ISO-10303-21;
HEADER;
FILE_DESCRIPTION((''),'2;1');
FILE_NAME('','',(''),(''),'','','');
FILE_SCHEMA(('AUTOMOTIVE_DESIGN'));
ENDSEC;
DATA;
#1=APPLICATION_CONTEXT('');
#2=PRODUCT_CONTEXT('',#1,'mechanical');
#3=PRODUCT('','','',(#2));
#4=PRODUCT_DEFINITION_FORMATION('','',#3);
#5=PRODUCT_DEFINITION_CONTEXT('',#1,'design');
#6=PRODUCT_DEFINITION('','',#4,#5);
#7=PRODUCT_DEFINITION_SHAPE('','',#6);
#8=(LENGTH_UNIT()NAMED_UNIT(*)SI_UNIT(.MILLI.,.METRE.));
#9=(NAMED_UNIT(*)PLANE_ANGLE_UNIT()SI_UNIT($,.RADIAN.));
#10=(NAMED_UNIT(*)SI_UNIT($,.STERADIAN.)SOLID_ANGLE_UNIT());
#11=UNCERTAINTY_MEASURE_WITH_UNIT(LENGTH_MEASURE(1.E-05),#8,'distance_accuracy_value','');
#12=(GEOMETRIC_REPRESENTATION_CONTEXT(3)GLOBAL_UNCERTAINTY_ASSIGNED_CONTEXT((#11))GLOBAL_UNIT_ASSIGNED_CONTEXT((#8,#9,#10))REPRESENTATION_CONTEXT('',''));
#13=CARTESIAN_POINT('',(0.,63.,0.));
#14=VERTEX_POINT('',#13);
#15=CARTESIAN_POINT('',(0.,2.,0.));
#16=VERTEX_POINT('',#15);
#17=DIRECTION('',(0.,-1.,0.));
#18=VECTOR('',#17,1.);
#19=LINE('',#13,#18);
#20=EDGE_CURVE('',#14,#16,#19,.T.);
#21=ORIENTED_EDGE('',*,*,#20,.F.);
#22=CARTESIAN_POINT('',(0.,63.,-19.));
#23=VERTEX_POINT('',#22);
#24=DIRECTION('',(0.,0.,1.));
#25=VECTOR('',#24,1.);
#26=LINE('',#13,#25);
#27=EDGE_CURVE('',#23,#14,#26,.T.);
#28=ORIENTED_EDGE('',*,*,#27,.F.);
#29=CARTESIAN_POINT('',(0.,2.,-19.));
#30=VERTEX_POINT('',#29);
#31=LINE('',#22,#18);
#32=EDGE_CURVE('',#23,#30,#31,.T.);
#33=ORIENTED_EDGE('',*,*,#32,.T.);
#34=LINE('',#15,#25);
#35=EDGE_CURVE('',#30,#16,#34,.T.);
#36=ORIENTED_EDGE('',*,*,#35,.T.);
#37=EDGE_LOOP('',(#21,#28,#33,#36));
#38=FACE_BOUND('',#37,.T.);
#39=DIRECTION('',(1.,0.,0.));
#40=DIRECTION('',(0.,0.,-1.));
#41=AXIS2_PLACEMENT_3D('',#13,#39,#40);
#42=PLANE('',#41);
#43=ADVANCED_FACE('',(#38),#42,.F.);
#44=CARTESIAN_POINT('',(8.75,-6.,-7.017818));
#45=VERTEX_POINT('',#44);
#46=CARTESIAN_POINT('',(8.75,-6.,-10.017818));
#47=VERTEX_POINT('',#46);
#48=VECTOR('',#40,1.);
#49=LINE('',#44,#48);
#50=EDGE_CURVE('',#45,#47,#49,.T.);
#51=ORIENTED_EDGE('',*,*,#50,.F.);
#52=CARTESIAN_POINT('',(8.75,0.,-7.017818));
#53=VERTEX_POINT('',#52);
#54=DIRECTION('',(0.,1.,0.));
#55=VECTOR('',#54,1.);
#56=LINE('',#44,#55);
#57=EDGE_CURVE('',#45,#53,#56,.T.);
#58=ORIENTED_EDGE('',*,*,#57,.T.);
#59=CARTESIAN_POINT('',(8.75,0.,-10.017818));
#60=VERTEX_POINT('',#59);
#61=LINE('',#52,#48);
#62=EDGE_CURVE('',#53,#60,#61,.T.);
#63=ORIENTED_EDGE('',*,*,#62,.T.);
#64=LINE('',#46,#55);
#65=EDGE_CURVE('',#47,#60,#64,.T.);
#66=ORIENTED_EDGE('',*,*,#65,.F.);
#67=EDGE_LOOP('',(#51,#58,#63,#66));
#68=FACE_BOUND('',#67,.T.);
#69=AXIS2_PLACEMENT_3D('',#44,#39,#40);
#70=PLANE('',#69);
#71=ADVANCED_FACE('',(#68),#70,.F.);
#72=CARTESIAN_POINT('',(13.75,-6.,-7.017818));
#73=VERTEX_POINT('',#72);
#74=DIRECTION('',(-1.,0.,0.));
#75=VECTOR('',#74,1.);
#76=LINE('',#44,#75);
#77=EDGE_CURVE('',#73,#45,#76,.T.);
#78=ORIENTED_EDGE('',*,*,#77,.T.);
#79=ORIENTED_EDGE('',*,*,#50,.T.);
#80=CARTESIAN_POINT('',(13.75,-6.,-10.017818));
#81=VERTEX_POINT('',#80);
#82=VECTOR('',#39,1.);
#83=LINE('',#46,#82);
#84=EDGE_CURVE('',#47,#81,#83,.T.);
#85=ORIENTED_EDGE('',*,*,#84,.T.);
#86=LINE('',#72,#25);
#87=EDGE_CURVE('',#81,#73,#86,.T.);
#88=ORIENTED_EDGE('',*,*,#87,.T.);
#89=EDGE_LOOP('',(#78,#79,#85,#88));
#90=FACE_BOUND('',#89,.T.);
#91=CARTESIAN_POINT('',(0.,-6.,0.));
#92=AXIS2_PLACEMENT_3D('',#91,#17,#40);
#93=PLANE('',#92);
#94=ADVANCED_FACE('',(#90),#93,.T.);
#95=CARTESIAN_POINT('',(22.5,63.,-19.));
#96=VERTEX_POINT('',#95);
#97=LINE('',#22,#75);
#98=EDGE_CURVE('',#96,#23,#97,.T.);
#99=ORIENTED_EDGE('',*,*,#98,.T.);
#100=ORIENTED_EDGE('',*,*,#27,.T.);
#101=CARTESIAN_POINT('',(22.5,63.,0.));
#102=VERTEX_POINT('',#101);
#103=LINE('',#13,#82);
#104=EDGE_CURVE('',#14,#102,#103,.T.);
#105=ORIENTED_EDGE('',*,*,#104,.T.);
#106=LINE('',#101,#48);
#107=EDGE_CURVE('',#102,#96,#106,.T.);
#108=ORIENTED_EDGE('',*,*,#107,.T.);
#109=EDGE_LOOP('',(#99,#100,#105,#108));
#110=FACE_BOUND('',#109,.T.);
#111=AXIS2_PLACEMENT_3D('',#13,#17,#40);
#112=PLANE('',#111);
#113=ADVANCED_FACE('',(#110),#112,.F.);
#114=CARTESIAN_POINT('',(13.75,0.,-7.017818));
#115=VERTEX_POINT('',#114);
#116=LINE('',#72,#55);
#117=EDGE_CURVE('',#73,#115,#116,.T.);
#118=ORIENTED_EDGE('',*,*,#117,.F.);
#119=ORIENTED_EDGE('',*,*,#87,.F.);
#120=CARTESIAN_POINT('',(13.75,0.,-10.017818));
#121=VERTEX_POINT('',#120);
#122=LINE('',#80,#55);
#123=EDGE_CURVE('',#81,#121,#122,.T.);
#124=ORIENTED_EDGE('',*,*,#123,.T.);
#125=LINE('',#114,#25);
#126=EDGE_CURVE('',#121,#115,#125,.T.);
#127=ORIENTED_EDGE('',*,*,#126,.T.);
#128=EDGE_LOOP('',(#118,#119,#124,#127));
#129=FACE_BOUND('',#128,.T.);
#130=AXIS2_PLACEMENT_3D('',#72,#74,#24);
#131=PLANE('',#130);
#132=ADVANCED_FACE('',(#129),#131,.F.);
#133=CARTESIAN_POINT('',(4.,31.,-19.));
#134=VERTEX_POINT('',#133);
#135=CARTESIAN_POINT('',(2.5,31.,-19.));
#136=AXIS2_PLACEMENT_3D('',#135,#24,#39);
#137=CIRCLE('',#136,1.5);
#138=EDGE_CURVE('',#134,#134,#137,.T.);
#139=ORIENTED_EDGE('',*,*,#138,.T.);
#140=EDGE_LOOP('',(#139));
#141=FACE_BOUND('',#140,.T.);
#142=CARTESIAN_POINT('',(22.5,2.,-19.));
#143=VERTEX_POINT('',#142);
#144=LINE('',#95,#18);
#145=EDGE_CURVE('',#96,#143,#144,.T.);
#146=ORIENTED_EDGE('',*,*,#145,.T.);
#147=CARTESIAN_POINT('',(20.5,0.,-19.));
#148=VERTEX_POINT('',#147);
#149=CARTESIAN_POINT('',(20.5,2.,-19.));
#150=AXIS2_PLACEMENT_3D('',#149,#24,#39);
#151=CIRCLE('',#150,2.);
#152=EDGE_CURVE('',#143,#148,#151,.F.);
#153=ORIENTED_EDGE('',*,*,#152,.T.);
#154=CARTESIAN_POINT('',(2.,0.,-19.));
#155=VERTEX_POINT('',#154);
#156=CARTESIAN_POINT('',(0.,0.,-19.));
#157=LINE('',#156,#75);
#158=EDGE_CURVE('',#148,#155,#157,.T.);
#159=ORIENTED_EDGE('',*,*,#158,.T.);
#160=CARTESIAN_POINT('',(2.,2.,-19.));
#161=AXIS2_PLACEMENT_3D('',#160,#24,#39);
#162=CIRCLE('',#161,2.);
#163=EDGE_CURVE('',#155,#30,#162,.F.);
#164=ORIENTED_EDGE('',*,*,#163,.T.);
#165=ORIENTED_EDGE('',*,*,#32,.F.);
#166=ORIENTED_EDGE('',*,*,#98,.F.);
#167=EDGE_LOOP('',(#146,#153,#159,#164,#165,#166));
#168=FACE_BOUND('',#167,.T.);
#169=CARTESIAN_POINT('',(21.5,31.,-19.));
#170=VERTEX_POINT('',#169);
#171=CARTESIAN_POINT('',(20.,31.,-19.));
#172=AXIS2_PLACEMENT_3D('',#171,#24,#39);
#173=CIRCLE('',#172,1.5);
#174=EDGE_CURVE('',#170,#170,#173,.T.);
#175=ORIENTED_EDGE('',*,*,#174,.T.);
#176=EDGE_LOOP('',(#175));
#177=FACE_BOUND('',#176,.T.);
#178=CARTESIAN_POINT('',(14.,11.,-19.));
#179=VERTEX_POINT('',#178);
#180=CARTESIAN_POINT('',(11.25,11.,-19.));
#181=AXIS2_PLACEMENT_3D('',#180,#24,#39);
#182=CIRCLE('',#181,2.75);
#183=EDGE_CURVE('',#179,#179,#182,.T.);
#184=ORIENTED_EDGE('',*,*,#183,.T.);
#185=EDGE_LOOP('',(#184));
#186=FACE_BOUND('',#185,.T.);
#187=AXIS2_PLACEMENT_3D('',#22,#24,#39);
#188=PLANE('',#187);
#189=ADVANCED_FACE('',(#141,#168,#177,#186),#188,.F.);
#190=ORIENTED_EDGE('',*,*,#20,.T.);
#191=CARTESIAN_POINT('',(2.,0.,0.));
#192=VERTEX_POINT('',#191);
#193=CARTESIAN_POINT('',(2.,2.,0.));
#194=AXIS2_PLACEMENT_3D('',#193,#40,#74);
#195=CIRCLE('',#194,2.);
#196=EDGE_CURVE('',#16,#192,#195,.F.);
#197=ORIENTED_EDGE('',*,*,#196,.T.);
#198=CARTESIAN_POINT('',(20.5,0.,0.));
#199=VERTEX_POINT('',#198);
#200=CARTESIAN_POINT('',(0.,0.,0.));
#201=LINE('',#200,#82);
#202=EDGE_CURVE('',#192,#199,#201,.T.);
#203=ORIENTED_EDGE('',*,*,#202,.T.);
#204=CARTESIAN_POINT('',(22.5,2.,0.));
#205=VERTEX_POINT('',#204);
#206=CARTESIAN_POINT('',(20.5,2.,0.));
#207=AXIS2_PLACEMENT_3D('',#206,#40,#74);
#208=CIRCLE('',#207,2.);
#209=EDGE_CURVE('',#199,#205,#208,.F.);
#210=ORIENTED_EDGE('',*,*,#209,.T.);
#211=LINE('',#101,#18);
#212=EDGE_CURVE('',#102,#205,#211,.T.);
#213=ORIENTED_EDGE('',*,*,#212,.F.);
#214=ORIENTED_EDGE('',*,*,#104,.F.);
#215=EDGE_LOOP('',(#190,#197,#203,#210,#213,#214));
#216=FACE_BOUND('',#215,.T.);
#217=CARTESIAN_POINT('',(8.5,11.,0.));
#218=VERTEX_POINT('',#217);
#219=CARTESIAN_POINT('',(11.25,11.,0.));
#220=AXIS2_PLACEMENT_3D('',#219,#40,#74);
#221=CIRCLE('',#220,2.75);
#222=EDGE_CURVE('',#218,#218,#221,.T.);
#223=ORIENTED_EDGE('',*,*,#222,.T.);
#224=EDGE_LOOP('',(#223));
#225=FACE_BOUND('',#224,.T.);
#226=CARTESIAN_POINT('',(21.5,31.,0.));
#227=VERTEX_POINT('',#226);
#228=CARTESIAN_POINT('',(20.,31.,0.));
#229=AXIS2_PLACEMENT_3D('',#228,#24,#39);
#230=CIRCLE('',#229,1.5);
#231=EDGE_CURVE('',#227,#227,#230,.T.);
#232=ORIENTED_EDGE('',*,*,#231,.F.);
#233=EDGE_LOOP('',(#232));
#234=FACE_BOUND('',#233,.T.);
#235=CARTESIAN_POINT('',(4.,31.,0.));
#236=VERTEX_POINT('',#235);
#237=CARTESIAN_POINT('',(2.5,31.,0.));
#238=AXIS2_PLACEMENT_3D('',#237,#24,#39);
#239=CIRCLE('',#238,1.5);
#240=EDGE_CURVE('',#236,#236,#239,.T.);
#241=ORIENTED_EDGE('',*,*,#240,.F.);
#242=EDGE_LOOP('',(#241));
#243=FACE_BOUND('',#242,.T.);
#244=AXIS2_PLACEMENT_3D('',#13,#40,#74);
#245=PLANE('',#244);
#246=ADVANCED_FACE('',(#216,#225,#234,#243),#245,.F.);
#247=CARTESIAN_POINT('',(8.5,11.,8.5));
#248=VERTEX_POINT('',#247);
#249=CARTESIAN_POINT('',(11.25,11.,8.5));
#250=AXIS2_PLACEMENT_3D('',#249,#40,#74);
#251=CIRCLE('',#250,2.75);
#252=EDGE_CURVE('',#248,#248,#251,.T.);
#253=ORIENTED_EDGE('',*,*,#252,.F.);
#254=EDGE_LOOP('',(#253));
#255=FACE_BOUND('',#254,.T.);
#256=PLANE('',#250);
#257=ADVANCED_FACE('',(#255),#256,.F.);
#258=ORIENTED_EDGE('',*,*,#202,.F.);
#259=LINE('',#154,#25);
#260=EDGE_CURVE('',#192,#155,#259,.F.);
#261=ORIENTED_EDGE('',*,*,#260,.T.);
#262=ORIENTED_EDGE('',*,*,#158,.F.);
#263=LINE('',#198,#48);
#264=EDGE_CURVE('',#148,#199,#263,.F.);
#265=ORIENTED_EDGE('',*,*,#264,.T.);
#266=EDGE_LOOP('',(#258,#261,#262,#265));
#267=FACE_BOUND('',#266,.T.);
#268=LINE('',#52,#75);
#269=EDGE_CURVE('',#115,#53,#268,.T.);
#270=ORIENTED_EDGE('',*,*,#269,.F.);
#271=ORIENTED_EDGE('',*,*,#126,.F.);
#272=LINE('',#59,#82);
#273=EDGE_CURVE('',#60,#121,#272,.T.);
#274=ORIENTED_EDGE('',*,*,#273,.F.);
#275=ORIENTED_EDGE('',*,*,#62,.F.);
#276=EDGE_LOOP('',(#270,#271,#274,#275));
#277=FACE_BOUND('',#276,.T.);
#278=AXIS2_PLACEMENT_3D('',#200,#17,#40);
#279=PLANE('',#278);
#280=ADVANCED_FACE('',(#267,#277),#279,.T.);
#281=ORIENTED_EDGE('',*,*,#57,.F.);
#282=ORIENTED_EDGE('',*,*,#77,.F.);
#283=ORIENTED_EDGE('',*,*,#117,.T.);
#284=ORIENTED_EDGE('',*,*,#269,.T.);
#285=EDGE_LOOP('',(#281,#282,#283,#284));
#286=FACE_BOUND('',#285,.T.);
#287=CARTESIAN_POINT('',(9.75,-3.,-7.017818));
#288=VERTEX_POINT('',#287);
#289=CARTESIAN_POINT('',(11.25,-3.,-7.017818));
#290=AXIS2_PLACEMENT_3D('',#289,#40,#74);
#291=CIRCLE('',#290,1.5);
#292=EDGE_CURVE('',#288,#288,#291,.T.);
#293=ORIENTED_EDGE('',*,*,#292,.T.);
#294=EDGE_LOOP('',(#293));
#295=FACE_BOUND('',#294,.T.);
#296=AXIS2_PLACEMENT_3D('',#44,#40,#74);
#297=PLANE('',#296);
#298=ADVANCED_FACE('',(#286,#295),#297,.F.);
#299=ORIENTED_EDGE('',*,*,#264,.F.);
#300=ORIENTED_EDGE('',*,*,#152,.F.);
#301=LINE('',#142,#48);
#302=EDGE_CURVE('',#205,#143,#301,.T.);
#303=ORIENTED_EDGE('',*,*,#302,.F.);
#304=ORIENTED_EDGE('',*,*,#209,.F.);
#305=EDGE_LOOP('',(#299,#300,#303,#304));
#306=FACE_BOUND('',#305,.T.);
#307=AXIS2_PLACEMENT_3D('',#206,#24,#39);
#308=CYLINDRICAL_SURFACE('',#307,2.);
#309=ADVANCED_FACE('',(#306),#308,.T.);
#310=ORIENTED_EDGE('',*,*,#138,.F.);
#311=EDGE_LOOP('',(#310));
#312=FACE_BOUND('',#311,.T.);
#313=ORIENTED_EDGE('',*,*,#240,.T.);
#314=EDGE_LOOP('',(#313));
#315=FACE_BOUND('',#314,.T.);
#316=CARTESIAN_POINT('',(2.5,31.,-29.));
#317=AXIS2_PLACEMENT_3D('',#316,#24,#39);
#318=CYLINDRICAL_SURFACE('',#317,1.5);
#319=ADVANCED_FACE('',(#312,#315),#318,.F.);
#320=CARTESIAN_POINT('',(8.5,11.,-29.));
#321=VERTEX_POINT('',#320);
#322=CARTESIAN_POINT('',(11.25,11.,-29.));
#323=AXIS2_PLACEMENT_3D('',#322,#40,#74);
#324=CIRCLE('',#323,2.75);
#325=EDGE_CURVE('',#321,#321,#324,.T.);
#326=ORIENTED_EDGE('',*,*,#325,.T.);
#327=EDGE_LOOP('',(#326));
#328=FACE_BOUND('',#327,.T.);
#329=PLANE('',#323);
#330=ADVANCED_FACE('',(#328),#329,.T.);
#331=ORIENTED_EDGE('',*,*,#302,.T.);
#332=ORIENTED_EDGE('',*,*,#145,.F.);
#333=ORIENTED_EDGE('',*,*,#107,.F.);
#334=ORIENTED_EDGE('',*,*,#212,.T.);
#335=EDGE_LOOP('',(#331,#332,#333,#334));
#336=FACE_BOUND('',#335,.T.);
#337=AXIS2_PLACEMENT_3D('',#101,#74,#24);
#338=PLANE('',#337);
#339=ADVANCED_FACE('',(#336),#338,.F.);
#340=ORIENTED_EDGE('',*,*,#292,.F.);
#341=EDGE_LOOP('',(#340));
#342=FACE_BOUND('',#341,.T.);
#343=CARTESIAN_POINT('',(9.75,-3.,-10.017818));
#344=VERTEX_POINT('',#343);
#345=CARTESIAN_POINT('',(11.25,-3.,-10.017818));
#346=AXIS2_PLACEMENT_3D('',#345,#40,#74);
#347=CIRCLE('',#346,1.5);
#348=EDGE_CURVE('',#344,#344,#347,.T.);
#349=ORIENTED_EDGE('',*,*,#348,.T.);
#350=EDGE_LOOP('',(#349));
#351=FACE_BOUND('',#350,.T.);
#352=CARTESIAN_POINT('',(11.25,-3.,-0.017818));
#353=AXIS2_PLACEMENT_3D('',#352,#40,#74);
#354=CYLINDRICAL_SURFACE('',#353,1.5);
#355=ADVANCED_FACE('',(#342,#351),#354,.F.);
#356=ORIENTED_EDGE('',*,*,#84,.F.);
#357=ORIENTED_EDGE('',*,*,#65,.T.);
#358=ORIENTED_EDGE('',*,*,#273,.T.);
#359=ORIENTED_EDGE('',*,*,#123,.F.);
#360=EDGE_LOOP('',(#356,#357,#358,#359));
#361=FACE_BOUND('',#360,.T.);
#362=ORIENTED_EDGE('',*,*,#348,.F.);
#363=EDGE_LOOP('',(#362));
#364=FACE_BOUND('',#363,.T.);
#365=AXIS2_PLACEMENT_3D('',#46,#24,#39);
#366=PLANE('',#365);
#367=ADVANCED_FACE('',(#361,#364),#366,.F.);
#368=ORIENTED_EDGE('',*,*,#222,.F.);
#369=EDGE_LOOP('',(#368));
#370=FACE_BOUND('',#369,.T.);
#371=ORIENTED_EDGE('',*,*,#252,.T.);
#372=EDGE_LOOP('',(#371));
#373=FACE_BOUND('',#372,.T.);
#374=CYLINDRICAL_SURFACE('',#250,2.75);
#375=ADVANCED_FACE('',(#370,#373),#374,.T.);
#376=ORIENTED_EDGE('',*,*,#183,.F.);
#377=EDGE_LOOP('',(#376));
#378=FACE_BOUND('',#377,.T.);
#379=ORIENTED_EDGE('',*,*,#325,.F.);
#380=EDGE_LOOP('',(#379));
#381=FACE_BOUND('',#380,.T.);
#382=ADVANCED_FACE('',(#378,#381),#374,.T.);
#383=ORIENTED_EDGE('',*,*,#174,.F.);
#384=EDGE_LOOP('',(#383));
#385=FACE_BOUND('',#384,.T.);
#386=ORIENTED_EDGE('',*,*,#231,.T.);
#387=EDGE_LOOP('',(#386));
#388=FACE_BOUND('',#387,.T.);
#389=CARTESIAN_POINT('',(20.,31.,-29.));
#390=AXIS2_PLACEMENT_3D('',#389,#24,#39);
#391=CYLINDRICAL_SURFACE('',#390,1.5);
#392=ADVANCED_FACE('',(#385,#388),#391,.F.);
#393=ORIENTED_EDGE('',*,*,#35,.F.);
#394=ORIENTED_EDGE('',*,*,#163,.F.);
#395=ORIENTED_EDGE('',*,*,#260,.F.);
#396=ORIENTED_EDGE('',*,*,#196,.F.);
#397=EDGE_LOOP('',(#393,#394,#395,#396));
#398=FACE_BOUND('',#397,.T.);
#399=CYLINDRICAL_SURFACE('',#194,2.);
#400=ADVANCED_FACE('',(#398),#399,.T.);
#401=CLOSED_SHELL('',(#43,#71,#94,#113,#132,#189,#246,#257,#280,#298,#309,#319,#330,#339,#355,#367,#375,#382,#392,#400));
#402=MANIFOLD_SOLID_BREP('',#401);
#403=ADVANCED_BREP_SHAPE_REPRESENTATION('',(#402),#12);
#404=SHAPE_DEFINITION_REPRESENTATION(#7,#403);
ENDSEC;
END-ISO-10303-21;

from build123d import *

# Parameters (mm, degrees)
SKETCH1_W                = 22.5
SKETCH1_H                = 19
BOSS_EXTRUDE1_DEPTH      = 63
FILLET1_R                = 2
BOSS_EXTRUDE2_DEPTH      = 10
BOSS_EXTRUDE2_DEPTH_BACK = 27.5
SKETCH2_R                = 2.75
SKETCH3_W                = 5
SKETCH3_H                = 3
BOSS_EXTRUDE3_DEPTH      = 6
SKETCH4_R                = 1.5
CUT_EXTRUDE1_DEPTH       = 10
SKETCH5_R                = 1.5
CUT_EXTRUDE2_DEPTH       = 73.912618935


with BuildPart() as part:
    # Sketch1 → Boss-Extrude1 (new body)
    with BuildSketch(Plane(origin=(0, 0, 0), x_dir=(1, 0, 0), z_dir=(0, 1, 0))):
        with Locations((11.25, 9.5)):
            Rectangle(SKETCH1_W, SKETCH1_H)
    extrude(amount=BOSS_EXTRUDE1_DEPTH)

    # Fillet1
    fillet1_edges = [part.edges().sort_by_distance(p)[0] for p in [
        (22.5, 0, -9.5),
        (0, 0, -9.5),
    ]]
    fillet(fillet1_edges, radius=FILLET1_R)

    # Sketch2 → Boss-Extrude2 (add, two sides: drawn at the far end of the back side and taken through both)
    with BuildSketch(Plane(origin=(0, 0, -19), x_dir=(-1, 0, 0), z_dir=(0, 0, -1)).offset(-BOSS_EXTRUDE2_DEPTH_BACK)):
        with Locations((-11.25, 11)):
            Circle(SKETCH2_R)
    extrude(amount=BOSS_EXTRUDE2_DEPTH + BOSS_EXTRUDE2_DEPTH_BACK)

    # Sketch3 → Boss-Extrude3 (add)
    with BuildSketch(Plane.XZ):
        with Locations((11.25, -8.517818065)):
            Rectangle(SKETCH3_W, SKETCH3_H)
    extrude(amount=BOSS_EXTRUDE3_DEPTH)

    # Sketch4 → Cut-Extrude1 (cut)
    with BuildSketch(Plane(origin=(0, 0, -10.017818065), x_dir=(-1, 0, 0), z_dir=(0, 0, -1))):
        with Locations((-11.25, -3)):
            Circle(SKETCH4_R)
    extrude(amount=-CUT_EXTRUDE1_DEPTH, mode=Mode.SUBTRACT)

    # Sketch5 → Cut-Extrude2 (cut, through all)
    with BuildSketch(Plane.XY):
        with Locations((20, 31)):
            Circle(SKETCH5_R)
        with Locations((2.5, 31)):
            Circle(SKETCH5_R)
    extrude(amount=-CUT_EXTRUDE2_DEPTH, mode=Mode.SUBTRACT)


solid = part.part
